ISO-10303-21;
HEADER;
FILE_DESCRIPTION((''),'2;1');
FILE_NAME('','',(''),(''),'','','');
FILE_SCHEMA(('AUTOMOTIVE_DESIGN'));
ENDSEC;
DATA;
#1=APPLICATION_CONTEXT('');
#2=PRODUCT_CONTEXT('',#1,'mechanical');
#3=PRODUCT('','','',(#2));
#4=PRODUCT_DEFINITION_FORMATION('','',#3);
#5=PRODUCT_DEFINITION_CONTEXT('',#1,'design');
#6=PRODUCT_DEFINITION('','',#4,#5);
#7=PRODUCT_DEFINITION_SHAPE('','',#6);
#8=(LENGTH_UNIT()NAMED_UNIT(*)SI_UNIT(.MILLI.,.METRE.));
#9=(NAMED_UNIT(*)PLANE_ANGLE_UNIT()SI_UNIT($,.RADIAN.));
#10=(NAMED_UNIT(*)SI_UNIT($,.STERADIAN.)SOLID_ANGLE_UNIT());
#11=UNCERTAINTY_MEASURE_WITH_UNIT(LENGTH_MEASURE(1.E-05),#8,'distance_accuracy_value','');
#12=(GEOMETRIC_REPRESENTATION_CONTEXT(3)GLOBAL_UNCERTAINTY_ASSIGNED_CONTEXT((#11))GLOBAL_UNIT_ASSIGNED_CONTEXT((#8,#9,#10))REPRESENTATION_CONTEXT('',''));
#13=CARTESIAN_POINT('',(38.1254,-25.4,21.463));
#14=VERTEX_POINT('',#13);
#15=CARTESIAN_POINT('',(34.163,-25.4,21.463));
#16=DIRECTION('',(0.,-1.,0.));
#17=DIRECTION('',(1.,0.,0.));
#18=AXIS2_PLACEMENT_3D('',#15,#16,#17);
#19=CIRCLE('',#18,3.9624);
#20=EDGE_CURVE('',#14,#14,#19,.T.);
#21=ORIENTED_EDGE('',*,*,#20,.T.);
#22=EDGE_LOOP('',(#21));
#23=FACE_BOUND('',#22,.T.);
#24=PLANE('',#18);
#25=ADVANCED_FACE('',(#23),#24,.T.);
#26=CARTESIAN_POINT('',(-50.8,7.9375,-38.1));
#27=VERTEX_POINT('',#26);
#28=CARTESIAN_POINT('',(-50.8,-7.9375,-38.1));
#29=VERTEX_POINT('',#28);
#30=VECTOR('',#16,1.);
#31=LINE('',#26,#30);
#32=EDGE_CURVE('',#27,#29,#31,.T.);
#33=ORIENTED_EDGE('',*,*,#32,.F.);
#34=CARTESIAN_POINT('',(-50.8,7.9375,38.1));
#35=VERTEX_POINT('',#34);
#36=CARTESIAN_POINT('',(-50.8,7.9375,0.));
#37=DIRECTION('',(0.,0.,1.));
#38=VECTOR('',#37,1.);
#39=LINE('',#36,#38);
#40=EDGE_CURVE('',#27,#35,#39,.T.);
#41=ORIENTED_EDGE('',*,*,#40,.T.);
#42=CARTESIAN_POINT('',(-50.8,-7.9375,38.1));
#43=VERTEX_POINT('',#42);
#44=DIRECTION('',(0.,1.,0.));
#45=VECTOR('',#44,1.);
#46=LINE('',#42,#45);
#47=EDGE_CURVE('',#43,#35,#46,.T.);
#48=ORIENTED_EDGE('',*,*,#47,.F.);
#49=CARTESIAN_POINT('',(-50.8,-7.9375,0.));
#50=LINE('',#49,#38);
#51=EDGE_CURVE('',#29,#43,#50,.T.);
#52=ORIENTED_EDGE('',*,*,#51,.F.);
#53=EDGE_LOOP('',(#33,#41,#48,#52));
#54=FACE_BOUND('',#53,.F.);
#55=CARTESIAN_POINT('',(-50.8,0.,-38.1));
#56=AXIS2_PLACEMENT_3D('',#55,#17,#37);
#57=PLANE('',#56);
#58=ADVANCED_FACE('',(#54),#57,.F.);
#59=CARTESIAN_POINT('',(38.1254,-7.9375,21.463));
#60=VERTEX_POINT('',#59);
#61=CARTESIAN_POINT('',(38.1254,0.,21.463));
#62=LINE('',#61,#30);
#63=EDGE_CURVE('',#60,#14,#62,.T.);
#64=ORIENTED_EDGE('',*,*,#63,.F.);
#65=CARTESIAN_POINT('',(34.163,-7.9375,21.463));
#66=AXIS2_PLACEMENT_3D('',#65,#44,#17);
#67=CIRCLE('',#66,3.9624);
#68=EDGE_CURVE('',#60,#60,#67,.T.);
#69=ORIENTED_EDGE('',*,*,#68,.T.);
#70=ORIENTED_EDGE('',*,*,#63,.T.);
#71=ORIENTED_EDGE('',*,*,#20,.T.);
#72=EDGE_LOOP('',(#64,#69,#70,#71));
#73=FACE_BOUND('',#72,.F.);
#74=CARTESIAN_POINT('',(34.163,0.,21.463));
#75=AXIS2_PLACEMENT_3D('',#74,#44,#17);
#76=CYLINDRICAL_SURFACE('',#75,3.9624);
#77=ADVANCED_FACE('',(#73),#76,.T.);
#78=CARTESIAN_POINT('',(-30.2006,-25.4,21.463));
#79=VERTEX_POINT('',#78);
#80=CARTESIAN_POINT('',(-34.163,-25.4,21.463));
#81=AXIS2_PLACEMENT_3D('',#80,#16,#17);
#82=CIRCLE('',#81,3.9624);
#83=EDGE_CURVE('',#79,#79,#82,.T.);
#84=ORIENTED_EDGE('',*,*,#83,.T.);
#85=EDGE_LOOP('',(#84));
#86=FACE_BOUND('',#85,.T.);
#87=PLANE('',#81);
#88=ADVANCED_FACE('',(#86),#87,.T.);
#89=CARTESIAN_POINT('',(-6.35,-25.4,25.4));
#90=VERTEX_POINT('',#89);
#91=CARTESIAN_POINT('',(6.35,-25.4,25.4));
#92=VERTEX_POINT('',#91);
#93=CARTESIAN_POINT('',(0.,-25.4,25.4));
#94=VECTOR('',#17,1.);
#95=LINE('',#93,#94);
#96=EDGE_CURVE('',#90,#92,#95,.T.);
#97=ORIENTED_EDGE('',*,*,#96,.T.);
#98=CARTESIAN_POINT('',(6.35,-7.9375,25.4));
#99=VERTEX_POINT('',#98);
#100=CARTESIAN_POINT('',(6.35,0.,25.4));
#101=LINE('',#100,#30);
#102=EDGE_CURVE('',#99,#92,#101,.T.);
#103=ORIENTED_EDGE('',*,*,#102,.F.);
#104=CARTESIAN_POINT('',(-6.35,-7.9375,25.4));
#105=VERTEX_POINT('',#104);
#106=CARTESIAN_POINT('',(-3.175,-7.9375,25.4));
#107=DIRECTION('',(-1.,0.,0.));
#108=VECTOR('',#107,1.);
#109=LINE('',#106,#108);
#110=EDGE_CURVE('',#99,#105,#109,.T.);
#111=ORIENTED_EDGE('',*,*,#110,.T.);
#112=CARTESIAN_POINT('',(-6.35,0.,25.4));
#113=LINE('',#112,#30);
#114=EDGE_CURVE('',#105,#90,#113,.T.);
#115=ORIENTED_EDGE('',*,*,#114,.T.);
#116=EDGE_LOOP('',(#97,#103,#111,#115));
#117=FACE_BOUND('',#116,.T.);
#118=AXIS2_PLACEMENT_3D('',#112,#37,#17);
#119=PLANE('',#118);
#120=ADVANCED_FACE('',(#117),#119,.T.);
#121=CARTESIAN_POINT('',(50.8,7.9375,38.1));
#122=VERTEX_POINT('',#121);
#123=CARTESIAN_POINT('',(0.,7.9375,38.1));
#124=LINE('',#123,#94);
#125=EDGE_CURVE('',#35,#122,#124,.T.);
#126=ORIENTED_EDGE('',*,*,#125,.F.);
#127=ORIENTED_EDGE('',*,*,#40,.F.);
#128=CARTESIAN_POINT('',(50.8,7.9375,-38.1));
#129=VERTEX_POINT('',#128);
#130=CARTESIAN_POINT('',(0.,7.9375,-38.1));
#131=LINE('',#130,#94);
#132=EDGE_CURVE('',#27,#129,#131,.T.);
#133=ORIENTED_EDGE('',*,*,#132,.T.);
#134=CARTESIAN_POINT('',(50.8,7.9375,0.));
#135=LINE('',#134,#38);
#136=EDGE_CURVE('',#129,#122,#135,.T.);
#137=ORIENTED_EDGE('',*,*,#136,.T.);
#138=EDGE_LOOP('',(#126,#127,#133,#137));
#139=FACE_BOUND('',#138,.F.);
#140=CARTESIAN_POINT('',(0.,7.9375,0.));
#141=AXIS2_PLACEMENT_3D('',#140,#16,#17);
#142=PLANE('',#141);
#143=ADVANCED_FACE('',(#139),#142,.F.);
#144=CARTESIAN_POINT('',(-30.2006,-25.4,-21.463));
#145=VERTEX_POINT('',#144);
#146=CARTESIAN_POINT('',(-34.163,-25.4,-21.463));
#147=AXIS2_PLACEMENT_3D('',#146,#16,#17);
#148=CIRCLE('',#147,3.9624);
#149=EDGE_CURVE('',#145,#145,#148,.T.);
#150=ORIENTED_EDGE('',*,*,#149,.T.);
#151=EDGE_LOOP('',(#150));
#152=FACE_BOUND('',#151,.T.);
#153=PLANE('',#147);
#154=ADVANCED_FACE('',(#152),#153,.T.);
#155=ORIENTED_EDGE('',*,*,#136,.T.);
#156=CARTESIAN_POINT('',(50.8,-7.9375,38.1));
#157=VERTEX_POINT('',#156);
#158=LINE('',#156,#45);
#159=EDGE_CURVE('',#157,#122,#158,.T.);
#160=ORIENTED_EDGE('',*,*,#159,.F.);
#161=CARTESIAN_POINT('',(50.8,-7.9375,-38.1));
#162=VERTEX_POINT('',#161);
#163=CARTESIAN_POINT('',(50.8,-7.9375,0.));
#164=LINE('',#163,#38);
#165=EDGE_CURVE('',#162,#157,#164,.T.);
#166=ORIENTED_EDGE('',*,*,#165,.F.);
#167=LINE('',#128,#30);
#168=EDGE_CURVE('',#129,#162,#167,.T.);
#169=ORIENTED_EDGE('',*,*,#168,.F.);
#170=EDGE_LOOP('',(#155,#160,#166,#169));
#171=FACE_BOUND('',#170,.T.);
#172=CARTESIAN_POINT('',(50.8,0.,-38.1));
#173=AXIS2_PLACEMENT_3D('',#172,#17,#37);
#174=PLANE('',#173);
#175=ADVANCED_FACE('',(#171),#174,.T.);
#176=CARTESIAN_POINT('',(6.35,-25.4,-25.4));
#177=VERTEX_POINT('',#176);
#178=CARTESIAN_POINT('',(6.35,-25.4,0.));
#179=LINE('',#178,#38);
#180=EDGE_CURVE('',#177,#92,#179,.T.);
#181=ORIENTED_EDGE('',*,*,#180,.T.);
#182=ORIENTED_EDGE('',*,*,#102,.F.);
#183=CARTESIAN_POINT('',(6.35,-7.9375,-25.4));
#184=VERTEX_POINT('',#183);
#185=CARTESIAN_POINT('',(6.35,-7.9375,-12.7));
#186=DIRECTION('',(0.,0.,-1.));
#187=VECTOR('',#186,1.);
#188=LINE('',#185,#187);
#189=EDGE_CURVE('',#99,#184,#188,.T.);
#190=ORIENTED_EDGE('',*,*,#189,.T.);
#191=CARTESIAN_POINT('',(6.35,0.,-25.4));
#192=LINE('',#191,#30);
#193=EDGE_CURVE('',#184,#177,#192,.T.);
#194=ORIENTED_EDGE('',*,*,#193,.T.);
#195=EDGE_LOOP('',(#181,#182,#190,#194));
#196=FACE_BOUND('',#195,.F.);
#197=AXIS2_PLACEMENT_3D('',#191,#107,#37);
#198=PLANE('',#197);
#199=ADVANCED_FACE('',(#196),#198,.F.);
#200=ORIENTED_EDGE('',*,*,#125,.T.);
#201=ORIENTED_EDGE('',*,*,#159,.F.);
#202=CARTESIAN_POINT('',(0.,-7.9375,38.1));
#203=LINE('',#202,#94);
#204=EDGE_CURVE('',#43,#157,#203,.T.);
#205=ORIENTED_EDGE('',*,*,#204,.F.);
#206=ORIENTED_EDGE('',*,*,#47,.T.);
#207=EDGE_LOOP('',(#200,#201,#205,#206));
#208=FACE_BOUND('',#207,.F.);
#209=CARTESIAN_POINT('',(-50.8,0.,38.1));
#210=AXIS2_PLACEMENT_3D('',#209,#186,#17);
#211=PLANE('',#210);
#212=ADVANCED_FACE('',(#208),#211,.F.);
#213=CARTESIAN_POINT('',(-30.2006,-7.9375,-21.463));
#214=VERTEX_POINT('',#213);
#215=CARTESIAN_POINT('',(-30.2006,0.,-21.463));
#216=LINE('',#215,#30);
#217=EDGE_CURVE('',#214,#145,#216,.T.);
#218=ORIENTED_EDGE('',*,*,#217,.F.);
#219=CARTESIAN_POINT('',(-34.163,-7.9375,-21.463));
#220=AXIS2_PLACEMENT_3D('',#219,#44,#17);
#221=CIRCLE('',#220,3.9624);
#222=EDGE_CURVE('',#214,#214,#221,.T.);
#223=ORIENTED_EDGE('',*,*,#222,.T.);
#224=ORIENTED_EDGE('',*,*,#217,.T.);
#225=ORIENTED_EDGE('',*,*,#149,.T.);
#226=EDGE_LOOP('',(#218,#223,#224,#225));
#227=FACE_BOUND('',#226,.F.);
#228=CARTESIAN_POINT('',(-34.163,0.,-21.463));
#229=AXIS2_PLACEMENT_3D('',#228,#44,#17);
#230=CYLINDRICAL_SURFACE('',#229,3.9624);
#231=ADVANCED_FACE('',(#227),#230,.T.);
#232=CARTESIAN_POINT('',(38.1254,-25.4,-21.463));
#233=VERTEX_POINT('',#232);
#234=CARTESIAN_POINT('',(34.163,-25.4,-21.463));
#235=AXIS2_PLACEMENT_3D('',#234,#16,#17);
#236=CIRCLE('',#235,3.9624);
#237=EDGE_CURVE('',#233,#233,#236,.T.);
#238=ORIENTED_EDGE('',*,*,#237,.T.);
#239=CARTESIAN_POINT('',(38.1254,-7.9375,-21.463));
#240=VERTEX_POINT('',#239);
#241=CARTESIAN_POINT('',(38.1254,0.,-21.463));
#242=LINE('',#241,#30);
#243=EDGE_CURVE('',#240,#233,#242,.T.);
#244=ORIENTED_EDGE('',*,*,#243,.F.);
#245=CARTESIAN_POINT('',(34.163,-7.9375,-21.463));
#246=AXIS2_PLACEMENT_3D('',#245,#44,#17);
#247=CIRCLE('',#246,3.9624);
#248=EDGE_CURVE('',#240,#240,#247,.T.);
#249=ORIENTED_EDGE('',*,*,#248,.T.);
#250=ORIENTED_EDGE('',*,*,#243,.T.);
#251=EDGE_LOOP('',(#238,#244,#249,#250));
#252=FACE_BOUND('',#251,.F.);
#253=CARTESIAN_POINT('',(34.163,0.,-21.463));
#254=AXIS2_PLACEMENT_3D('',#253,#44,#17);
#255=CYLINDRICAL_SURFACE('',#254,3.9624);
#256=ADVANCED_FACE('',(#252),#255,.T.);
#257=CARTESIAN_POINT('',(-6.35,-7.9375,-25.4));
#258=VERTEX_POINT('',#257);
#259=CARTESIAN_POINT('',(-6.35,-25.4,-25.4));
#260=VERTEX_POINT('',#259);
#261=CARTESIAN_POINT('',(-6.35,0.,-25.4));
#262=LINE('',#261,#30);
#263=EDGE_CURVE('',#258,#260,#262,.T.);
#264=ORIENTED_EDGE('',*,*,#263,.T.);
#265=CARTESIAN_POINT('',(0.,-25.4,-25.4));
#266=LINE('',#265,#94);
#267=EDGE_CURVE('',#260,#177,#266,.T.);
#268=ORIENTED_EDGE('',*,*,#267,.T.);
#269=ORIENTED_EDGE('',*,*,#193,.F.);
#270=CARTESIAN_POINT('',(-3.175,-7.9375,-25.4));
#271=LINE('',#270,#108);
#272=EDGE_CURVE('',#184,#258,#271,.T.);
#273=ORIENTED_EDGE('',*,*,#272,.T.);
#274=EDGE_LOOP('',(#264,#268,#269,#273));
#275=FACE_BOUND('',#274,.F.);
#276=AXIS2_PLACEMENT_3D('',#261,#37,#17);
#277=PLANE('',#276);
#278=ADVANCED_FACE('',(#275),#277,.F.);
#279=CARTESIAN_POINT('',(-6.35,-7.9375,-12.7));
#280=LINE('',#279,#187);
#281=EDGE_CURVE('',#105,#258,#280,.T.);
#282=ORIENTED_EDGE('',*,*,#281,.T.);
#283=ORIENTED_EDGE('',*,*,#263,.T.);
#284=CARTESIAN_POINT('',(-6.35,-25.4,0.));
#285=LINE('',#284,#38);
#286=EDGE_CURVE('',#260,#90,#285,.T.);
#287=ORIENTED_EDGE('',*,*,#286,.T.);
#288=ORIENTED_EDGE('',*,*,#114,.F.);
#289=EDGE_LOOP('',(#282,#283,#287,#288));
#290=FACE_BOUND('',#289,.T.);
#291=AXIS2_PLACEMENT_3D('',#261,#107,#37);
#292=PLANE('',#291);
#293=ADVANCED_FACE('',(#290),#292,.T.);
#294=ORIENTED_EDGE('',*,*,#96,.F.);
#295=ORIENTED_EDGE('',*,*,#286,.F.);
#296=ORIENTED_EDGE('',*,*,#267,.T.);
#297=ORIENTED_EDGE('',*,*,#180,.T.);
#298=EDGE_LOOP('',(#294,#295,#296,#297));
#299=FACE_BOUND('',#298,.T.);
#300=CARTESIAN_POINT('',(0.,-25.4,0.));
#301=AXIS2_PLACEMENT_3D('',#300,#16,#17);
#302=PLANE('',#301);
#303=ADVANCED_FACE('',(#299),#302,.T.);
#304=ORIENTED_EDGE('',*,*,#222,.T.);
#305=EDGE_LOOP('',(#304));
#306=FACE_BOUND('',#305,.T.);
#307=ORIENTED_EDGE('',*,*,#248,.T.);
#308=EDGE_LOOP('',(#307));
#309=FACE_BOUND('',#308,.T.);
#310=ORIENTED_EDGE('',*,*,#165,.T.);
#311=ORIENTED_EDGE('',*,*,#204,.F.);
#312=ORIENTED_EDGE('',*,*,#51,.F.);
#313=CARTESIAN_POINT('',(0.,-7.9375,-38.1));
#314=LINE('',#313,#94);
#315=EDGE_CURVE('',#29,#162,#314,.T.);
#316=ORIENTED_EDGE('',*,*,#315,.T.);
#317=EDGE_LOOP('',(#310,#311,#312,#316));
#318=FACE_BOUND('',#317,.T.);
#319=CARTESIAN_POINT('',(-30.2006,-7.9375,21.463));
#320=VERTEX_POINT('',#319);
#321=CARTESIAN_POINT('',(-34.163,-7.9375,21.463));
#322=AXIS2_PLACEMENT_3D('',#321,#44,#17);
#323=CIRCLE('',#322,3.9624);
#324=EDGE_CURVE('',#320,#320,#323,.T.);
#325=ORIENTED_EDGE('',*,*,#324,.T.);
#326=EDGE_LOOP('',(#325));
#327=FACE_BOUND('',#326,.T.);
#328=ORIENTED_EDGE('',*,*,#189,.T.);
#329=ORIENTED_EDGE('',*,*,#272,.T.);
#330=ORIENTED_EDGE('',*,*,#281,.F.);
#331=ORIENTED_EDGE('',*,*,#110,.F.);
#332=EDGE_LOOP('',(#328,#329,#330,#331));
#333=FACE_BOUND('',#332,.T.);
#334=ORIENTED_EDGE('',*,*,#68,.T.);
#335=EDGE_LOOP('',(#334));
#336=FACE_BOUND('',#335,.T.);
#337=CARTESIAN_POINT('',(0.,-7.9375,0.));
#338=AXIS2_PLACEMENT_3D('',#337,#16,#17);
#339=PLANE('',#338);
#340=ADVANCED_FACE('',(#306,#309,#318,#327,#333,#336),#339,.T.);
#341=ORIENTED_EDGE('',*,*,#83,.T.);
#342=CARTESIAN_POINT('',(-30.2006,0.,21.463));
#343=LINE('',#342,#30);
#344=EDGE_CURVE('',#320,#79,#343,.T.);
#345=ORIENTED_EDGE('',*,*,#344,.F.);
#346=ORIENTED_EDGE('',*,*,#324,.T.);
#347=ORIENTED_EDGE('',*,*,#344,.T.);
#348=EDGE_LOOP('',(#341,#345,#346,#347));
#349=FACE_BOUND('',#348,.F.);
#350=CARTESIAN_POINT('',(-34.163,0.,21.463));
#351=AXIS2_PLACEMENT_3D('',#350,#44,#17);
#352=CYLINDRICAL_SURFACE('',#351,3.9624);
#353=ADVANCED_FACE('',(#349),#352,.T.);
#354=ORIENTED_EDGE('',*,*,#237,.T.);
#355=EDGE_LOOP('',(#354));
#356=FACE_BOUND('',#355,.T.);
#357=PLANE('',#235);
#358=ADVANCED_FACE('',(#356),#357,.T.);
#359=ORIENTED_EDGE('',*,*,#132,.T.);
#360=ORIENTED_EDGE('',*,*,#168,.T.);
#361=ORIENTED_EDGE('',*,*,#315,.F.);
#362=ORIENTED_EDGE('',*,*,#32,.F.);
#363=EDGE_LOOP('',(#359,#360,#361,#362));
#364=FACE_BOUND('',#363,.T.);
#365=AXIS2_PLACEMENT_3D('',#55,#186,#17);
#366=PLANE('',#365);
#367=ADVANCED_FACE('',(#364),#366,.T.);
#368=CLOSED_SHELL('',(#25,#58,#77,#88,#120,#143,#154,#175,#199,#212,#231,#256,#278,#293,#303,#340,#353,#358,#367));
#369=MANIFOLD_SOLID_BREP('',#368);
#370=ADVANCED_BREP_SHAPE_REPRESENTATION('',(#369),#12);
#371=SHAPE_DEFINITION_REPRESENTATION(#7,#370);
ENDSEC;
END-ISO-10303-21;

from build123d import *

# Parameters (mm, degrees)
F0_W     = 101.6
F0_H     = 76.2
F1_DEPTH = 7.9375
F2_R     = 3.9624
F2_W     = 12.7
F2_H     = 50.8
F3_DEPTH = 25.4


with BuildPart() as f1:
    # F0 (on Front) → F1 (new body, symmetric)
    with BuildSketch(Plane.XZ):
        Rectangle(F0_W, F0_H)
    extrude(amount=F1_DEPTH, both=True)

    # F2 (on Front) → F3 (join)
    with BuildSketch(Plane.XZ):
        with Locations((34.163, 21.463)):
            Circle(F2_R)
        with Locations((34.163, -21.463)):
            Circle(F2_R)
        Rectangle(F2_W, F2_H)
        with Locations((-34.163, 21.463)):
            Circle(F2_R)
        with Locations((-34.163, -21.463)):
            Circle(F2_R)
    extrude(amount=F3_DEPTH)


solid = f1.part
